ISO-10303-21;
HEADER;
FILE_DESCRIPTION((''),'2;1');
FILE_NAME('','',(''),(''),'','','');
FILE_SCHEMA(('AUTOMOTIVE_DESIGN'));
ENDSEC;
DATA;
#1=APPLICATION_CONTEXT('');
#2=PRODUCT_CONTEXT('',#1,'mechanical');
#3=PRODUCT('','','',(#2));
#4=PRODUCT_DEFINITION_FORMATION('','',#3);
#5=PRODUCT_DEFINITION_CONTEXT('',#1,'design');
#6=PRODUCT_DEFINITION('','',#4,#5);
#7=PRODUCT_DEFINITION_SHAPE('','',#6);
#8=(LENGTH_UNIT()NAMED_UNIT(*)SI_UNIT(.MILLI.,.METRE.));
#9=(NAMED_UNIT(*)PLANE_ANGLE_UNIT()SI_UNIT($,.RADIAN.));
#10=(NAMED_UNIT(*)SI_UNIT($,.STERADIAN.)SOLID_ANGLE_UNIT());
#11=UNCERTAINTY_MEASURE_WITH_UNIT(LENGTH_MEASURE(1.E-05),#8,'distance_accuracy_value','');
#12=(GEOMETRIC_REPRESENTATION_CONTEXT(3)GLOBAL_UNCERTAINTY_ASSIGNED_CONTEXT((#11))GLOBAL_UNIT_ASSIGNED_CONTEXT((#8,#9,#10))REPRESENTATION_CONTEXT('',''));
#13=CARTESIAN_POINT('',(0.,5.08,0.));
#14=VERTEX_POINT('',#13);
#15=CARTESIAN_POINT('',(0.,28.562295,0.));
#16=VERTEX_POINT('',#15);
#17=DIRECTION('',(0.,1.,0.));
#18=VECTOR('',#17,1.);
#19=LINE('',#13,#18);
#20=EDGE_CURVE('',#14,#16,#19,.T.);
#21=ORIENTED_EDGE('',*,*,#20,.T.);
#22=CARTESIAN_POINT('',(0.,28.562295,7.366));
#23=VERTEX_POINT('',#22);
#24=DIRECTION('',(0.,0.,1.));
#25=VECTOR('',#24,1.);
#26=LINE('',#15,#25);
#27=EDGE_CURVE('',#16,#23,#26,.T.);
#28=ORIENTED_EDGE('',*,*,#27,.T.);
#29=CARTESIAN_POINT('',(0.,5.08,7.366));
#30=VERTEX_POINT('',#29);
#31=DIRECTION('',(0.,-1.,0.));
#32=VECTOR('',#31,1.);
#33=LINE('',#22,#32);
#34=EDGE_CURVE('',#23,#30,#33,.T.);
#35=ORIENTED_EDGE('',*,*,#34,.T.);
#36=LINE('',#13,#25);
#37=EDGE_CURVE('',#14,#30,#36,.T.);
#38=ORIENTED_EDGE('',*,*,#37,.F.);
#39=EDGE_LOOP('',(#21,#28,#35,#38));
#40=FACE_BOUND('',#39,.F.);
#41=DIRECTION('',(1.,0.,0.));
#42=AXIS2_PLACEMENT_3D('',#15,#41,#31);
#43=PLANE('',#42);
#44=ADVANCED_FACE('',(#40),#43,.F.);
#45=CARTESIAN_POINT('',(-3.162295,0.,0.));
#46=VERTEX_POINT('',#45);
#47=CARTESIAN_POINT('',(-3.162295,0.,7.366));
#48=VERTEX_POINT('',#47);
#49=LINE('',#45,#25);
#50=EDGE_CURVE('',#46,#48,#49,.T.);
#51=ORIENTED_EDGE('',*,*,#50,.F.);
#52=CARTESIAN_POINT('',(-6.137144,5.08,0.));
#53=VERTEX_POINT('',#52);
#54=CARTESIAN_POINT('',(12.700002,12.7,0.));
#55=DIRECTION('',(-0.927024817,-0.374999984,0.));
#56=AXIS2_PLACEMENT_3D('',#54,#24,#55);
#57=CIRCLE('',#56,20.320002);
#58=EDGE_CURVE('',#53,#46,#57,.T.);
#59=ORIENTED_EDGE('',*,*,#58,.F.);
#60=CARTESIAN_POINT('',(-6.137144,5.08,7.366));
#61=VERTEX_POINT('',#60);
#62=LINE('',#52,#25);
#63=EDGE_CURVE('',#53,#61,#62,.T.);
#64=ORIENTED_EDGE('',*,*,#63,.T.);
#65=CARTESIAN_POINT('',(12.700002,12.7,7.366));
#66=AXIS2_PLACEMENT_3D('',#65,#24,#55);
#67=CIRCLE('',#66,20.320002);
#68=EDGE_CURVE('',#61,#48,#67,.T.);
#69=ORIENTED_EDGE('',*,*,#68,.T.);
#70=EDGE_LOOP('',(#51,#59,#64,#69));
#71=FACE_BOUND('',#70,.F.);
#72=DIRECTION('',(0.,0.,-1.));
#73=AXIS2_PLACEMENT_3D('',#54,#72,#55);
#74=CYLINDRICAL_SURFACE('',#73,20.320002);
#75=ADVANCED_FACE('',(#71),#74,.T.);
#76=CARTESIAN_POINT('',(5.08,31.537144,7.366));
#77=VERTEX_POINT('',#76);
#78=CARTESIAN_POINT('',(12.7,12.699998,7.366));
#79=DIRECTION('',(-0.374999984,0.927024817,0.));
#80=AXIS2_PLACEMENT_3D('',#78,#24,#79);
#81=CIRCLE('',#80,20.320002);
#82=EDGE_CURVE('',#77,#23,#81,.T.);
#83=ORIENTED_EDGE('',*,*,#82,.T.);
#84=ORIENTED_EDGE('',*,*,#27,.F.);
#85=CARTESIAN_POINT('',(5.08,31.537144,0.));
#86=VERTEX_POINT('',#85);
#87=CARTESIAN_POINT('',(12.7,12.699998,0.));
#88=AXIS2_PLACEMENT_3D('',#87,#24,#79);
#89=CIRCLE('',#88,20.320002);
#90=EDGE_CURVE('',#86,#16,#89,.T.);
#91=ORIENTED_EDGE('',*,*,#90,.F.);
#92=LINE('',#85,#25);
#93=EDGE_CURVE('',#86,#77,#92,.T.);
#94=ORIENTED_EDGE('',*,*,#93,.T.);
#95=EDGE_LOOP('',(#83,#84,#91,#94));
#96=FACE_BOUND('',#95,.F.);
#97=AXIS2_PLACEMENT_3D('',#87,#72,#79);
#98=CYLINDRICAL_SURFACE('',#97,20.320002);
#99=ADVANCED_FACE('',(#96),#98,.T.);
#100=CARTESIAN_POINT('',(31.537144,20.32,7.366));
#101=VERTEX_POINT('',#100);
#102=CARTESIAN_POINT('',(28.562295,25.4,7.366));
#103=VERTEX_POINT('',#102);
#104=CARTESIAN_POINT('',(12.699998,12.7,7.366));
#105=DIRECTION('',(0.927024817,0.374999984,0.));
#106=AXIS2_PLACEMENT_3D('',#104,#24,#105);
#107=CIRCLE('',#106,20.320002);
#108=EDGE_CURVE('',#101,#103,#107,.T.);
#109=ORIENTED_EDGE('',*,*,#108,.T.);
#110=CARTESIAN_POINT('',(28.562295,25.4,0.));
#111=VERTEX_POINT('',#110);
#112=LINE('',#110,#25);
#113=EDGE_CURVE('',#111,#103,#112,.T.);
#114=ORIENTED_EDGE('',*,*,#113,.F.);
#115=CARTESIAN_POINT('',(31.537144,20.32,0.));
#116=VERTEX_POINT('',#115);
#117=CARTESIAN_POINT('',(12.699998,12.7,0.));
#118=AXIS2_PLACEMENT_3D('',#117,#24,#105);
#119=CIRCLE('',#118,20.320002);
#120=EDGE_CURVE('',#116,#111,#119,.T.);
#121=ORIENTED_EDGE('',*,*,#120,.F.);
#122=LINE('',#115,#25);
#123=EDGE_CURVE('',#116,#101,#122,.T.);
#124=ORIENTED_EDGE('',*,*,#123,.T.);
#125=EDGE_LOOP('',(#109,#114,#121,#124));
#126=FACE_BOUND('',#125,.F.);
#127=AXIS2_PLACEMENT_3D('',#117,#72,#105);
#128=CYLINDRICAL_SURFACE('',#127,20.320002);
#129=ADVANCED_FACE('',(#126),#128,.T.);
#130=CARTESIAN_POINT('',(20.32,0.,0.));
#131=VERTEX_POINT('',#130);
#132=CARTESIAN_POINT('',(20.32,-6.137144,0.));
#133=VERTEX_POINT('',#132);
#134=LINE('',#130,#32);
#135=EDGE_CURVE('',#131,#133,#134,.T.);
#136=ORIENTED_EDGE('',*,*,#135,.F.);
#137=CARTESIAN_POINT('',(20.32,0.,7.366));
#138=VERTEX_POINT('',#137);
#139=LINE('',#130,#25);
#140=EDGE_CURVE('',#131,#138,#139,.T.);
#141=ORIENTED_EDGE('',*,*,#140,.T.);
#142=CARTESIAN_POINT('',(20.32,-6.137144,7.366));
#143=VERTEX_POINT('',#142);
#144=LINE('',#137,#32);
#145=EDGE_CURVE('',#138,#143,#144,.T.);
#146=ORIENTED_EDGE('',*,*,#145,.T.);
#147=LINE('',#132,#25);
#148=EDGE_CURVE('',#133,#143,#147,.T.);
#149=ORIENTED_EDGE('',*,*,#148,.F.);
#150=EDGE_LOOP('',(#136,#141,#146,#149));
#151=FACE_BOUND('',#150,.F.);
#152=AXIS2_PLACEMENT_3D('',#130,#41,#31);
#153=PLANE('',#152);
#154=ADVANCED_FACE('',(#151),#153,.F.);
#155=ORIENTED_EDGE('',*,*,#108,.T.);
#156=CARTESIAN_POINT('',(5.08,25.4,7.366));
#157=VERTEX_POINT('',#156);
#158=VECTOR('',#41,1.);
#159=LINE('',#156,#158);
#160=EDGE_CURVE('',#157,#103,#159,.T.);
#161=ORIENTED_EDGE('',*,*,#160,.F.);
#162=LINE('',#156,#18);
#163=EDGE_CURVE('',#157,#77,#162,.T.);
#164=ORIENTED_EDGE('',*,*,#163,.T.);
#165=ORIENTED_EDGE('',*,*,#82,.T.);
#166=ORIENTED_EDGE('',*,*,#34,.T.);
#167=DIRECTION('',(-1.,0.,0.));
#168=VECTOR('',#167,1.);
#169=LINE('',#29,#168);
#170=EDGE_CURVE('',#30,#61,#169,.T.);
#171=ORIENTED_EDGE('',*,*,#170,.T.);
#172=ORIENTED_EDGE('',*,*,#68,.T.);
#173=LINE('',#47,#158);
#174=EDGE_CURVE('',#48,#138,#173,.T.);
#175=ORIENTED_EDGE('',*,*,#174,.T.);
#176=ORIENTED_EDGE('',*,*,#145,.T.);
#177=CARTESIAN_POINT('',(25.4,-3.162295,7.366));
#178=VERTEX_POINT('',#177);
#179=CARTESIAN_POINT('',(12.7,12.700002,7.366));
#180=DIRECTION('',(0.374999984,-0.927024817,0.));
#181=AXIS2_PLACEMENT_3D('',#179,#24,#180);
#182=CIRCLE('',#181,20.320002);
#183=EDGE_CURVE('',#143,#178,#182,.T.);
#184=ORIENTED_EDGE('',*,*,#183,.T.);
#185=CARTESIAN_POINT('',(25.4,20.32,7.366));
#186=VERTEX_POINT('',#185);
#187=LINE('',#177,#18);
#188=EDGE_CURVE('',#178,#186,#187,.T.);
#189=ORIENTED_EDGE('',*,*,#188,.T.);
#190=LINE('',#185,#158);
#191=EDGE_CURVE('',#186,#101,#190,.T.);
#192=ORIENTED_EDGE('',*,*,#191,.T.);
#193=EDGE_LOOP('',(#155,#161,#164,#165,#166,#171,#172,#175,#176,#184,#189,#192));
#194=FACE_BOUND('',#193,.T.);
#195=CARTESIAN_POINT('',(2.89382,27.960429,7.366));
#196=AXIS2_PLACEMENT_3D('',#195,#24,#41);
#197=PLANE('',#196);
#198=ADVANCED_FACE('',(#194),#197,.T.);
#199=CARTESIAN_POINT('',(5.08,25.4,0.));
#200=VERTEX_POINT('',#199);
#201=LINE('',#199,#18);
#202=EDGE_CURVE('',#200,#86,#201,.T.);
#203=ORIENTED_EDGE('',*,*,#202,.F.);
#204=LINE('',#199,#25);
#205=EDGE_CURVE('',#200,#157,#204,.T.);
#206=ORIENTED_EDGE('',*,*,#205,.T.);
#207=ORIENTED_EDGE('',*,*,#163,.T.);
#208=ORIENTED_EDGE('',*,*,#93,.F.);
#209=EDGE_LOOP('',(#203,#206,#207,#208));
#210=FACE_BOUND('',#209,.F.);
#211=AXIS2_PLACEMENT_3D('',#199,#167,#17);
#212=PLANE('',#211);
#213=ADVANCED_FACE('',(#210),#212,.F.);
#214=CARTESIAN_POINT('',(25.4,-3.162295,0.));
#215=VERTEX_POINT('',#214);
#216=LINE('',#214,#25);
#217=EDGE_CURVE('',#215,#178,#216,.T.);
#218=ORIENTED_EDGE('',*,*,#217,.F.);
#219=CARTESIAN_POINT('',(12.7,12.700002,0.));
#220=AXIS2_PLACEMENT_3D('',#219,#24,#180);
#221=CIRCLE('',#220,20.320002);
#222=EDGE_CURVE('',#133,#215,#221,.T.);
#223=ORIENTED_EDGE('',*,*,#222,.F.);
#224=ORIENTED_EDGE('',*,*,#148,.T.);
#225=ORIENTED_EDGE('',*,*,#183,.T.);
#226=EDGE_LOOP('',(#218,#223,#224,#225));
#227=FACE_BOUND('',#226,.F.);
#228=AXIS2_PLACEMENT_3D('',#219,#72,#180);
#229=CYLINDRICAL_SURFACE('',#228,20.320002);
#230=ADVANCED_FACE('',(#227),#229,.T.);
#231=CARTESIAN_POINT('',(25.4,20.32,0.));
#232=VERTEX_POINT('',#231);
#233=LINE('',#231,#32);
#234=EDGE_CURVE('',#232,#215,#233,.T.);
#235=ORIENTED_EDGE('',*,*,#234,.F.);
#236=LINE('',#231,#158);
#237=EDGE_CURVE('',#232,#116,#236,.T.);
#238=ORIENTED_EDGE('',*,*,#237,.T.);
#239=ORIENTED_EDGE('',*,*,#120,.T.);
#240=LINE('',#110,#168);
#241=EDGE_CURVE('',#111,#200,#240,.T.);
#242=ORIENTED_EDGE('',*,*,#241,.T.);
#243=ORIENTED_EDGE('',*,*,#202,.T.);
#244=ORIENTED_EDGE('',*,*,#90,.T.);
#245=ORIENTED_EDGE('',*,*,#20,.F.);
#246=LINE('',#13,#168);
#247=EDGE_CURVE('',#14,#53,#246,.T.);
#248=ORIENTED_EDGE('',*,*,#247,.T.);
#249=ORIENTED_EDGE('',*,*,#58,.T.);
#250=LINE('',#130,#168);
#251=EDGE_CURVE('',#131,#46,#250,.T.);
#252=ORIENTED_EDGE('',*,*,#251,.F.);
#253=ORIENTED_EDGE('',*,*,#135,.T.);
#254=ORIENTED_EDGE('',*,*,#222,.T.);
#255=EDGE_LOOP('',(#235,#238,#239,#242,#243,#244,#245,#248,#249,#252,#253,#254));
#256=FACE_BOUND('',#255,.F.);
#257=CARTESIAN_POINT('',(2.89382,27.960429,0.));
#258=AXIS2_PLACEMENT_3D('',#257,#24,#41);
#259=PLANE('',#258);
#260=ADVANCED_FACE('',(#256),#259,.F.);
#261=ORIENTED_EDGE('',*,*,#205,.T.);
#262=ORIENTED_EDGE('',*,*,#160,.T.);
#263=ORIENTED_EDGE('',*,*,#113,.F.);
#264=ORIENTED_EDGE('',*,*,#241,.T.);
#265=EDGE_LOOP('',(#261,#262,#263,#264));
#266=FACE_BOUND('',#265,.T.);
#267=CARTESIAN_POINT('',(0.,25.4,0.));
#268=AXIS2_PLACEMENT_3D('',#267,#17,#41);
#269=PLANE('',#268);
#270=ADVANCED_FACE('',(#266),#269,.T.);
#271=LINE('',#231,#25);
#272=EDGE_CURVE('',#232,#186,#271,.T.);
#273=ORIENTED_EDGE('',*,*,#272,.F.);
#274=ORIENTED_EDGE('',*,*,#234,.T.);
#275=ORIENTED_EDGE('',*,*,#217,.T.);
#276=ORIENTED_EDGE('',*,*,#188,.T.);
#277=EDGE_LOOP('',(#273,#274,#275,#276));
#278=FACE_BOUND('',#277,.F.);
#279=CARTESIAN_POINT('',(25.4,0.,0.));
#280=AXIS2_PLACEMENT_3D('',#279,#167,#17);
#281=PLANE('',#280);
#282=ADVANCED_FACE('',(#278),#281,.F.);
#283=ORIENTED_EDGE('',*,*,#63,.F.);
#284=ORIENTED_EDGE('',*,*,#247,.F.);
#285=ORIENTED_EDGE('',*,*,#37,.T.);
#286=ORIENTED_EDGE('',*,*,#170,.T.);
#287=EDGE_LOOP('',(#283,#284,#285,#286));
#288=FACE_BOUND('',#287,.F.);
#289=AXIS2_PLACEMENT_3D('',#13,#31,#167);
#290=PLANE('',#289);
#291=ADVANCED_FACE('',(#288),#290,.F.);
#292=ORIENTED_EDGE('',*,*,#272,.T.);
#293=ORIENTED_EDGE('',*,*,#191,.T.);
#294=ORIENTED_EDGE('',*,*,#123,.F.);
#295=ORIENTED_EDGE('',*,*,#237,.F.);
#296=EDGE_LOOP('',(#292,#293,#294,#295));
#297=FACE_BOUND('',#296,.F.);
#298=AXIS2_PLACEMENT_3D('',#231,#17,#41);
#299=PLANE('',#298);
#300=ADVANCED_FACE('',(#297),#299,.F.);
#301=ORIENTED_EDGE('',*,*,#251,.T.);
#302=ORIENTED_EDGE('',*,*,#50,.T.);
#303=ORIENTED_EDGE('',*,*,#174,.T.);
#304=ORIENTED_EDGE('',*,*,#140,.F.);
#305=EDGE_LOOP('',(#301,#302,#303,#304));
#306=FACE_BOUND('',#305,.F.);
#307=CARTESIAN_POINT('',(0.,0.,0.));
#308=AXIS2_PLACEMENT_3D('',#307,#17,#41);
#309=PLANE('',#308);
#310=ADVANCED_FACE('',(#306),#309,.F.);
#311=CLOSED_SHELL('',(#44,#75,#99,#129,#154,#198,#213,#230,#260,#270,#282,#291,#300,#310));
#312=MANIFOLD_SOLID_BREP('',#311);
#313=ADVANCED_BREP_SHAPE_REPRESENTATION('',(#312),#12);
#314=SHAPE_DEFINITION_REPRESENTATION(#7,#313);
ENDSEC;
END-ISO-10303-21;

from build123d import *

# Parameters (mm, degrees)
F0_W     = 25.4
F0_H     = 25.4
F1_DEPTH = 7.366
F3_DEPTH = 7.366


with BuildPart() as f1:
    # F0 (on Top) → F1 (new body)
    with BuildSketch(Plane.XY):
        with Locations((12.7, 12.7)):
            Rectangle(F0_W, F0_H)
    extrude(amount=F1_DEPTH)

    # F2 (on Top) → F3 (join)
    with BuildSketch(Plane.XY):
        with BuildLine():
            Line((5.08, 25.4), (5.08, 31.537144))
            ThreePointArc((5.08, 31.537144), (2.431698, 30.234662), (0, 28.562295))
            Line((0, 28.562295), (0, 25.4))
            Line((0, 25.4), (5.08, 25.4))
        make_face()
        with BuildLine():
            Line((28.562295, 25.4), (25.4, 25.4))
            Line((25.4, 25.4), (25.4, 20.32))
            Line((25.4, 20.32), (31.537144, 20.32))
            ThreePointArc((31.537144, 20.32), (30.234662, 22.968302), (28.562295, 25.4))
        make_face()
        with BuildLine():
            Line((25.4, -3.162295), (25.4, 0))
            Line((25.4, 0), (20.32, 0))
            Line((20.32, 0), (20.32, -6.137144))
            ThreePointArc((20.32, -6.137144), (22.968302, -4.834662), (25.4, -3.162295))
        make_face()
        with BuildLine():
            Line((-3.162295, 0), (0, 0))
            Line((0, 0), (0, 5.08))
            Line((0, 5.08), (-6.137144, 5.08))
            ThreePointArc((-6.137144, 5.08), (-4.834662, 2.431698), (-3.162295, 0))
        make_face()
    extrude(amount=F3_DEPTH)


solid = f1.part
